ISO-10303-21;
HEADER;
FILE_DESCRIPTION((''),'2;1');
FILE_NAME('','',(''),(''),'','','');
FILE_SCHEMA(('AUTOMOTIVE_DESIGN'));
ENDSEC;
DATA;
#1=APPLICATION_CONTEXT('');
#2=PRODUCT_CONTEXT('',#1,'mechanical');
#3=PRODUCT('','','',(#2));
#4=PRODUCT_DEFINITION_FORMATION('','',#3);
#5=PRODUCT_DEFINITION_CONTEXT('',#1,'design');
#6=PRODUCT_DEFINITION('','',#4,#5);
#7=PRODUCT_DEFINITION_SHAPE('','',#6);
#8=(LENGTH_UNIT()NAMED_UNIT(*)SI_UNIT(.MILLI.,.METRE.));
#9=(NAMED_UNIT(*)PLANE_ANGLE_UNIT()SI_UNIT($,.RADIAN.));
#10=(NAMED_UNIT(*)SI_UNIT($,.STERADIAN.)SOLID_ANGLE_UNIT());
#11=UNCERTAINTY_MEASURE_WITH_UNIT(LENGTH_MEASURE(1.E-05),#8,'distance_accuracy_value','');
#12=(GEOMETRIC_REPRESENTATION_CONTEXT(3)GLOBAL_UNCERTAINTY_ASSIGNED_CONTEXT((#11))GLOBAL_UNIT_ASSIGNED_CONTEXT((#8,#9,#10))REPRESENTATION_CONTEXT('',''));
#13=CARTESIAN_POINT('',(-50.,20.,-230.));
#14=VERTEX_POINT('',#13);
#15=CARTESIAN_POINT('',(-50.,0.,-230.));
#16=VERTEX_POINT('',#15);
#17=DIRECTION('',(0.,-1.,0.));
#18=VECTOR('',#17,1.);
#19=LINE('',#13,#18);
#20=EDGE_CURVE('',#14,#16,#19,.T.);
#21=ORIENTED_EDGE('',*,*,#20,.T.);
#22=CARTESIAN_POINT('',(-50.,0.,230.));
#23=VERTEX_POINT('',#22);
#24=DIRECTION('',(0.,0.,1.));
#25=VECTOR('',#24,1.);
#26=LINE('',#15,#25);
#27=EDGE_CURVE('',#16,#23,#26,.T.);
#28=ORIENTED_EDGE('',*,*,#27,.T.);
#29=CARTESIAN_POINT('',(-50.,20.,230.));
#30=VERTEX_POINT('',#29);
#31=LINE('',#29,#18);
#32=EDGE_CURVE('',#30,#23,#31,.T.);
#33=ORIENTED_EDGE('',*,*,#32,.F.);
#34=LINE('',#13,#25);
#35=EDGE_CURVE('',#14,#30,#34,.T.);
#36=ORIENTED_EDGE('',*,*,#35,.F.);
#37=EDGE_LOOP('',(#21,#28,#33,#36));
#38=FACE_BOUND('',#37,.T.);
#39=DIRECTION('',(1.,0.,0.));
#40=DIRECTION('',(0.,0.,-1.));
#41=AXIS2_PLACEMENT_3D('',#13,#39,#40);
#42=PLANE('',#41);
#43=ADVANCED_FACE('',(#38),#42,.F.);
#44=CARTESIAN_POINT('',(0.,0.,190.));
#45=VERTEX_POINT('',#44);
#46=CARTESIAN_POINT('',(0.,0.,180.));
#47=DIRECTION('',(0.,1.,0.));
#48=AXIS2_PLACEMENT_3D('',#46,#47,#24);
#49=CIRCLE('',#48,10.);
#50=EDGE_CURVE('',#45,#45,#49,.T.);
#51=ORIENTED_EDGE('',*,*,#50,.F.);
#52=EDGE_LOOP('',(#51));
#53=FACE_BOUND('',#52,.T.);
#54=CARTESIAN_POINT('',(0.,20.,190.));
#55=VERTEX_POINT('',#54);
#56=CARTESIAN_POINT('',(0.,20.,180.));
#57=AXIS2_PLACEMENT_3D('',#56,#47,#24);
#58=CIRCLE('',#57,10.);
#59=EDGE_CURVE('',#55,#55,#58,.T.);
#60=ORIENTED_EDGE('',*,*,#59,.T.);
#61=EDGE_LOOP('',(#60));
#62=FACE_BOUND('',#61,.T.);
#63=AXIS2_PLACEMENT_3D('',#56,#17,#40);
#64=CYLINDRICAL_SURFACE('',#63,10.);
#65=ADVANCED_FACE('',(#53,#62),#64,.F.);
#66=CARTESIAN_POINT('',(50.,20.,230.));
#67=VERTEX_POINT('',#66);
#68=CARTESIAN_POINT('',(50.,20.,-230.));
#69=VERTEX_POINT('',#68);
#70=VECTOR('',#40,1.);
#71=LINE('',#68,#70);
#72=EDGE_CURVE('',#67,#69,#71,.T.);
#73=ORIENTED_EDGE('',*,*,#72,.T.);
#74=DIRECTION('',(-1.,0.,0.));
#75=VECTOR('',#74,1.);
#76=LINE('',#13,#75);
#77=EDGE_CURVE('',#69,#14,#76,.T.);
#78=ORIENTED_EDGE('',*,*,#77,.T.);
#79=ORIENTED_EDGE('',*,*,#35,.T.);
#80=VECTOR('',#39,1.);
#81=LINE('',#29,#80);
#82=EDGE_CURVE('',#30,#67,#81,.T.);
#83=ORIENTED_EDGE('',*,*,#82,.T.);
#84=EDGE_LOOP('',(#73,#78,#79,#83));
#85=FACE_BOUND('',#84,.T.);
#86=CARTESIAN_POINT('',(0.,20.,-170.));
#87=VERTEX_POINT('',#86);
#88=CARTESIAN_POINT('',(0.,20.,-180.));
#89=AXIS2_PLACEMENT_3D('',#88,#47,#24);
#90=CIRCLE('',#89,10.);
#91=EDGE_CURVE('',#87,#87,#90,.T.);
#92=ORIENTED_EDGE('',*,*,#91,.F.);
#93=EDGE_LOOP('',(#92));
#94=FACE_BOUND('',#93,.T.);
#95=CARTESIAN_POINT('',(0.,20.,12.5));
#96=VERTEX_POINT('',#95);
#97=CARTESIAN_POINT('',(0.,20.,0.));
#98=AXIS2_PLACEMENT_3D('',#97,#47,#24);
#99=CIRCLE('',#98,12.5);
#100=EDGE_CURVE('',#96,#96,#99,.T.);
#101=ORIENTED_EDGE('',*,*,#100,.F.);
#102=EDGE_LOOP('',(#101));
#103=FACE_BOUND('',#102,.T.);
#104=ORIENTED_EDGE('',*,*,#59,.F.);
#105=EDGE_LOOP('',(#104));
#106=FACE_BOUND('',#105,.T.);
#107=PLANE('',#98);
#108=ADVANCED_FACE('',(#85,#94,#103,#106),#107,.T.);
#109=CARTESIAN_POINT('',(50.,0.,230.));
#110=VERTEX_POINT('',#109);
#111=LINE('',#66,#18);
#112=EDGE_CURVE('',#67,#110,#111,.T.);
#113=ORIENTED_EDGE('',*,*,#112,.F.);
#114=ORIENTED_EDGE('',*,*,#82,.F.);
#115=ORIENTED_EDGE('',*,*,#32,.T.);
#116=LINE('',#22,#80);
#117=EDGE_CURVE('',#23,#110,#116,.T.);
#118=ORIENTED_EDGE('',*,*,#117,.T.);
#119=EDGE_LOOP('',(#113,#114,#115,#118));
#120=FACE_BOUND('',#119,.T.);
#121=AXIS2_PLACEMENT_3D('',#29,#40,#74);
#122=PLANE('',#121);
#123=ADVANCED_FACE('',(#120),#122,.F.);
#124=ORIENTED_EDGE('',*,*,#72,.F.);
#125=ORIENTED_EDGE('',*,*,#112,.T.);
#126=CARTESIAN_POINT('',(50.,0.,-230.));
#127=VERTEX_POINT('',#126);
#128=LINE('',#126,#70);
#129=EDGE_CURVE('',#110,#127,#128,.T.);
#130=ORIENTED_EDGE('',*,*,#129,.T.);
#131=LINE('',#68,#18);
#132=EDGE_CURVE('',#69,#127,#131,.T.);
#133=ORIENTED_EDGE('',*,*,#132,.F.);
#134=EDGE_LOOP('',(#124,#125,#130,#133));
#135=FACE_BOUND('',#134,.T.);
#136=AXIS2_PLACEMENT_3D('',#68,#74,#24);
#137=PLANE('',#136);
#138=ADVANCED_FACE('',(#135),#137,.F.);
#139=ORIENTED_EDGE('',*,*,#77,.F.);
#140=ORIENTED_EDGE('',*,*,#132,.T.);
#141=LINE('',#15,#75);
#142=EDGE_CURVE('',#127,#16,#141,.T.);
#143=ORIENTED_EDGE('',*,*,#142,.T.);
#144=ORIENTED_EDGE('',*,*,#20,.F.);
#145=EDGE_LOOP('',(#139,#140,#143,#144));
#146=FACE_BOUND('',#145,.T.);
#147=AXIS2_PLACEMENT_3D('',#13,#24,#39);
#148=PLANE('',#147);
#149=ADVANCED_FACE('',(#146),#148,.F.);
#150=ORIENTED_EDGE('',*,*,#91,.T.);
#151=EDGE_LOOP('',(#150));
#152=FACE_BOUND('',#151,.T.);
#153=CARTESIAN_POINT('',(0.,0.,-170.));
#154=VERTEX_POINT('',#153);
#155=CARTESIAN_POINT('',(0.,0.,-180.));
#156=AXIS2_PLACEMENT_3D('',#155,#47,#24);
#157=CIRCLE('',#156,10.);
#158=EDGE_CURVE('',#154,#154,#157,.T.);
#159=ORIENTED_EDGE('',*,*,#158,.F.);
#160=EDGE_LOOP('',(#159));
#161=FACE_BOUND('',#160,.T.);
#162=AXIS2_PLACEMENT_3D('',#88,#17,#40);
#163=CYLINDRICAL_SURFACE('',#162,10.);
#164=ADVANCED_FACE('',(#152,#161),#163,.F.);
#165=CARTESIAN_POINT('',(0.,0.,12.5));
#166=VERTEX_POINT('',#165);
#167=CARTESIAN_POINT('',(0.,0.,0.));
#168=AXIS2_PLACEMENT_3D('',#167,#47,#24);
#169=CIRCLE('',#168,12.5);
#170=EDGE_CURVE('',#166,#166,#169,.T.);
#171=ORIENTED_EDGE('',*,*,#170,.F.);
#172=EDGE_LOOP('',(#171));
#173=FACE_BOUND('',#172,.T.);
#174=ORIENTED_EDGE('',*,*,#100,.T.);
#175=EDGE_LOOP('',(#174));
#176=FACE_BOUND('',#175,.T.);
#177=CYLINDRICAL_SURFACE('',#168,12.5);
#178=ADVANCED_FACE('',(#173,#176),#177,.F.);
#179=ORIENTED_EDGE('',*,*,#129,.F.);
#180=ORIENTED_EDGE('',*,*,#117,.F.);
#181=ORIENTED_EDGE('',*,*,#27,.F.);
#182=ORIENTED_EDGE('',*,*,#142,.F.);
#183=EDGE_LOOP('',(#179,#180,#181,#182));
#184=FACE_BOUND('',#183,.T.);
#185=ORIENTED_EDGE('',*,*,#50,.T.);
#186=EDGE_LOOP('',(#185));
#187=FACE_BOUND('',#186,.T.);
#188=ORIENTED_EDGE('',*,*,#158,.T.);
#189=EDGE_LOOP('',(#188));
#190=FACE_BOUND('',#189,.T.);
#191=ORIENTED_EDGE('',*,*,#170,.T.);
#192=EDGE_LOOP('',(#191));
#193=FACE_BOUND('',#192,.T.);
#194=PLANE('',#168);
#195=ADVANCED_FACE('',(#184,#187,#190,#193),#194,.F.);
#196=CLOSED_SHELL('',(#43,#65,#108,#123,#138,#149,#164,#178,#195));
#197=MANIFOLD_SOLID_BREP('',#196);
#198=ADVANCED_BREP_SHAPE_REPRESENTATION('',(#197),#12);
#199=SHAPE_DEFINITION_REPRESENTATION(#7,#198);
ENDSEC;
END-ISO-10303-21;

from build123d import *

# Parameters (mm, degrees)
SKETCH1_W           = 100
SKETCH1_H           = 460
SKETCH1_R           = 10
BOSS_EXTRUDE1_DEPTH = 20
SKETCH2_R           = 12.5
CUT_EXTRUDE1_DEPTH  = 21


with BuildPart() as part:
    # Sketch1 → Boss-Extrude1 (new body)
    with BuildSketch(Plane(origin=(0, 0, 0), x_dir=(1, 0, 0), z_dir=(0, 1, 0))):
        Rectangle(SKETCH1_W, SKETCH1_H)
        with Locations((0, -180)):
            Circle(SKETCH1_R, mode=Mode.SUBTRACT)
        with Locations((0, 180)):
            Circle(SKETCH1_R, mode=Mode.SUBTRACT)
    extrude(amount=BOSS_EXTRUDE1_DEPTH)

    # Sketch2 → Cut-Extrude1 (cut, through all)
    with BuildSketch(Plane(origin=(0, 20, 0), x_dir=(1, 0, 0), z_dir=(0, 1, 0))):
        Circle(SKETCH2_R)
    extrude(amount=-CUT_EXTRUDE1_DEPTH, mode=Mode.SUBTRACT)


solid = part.part
